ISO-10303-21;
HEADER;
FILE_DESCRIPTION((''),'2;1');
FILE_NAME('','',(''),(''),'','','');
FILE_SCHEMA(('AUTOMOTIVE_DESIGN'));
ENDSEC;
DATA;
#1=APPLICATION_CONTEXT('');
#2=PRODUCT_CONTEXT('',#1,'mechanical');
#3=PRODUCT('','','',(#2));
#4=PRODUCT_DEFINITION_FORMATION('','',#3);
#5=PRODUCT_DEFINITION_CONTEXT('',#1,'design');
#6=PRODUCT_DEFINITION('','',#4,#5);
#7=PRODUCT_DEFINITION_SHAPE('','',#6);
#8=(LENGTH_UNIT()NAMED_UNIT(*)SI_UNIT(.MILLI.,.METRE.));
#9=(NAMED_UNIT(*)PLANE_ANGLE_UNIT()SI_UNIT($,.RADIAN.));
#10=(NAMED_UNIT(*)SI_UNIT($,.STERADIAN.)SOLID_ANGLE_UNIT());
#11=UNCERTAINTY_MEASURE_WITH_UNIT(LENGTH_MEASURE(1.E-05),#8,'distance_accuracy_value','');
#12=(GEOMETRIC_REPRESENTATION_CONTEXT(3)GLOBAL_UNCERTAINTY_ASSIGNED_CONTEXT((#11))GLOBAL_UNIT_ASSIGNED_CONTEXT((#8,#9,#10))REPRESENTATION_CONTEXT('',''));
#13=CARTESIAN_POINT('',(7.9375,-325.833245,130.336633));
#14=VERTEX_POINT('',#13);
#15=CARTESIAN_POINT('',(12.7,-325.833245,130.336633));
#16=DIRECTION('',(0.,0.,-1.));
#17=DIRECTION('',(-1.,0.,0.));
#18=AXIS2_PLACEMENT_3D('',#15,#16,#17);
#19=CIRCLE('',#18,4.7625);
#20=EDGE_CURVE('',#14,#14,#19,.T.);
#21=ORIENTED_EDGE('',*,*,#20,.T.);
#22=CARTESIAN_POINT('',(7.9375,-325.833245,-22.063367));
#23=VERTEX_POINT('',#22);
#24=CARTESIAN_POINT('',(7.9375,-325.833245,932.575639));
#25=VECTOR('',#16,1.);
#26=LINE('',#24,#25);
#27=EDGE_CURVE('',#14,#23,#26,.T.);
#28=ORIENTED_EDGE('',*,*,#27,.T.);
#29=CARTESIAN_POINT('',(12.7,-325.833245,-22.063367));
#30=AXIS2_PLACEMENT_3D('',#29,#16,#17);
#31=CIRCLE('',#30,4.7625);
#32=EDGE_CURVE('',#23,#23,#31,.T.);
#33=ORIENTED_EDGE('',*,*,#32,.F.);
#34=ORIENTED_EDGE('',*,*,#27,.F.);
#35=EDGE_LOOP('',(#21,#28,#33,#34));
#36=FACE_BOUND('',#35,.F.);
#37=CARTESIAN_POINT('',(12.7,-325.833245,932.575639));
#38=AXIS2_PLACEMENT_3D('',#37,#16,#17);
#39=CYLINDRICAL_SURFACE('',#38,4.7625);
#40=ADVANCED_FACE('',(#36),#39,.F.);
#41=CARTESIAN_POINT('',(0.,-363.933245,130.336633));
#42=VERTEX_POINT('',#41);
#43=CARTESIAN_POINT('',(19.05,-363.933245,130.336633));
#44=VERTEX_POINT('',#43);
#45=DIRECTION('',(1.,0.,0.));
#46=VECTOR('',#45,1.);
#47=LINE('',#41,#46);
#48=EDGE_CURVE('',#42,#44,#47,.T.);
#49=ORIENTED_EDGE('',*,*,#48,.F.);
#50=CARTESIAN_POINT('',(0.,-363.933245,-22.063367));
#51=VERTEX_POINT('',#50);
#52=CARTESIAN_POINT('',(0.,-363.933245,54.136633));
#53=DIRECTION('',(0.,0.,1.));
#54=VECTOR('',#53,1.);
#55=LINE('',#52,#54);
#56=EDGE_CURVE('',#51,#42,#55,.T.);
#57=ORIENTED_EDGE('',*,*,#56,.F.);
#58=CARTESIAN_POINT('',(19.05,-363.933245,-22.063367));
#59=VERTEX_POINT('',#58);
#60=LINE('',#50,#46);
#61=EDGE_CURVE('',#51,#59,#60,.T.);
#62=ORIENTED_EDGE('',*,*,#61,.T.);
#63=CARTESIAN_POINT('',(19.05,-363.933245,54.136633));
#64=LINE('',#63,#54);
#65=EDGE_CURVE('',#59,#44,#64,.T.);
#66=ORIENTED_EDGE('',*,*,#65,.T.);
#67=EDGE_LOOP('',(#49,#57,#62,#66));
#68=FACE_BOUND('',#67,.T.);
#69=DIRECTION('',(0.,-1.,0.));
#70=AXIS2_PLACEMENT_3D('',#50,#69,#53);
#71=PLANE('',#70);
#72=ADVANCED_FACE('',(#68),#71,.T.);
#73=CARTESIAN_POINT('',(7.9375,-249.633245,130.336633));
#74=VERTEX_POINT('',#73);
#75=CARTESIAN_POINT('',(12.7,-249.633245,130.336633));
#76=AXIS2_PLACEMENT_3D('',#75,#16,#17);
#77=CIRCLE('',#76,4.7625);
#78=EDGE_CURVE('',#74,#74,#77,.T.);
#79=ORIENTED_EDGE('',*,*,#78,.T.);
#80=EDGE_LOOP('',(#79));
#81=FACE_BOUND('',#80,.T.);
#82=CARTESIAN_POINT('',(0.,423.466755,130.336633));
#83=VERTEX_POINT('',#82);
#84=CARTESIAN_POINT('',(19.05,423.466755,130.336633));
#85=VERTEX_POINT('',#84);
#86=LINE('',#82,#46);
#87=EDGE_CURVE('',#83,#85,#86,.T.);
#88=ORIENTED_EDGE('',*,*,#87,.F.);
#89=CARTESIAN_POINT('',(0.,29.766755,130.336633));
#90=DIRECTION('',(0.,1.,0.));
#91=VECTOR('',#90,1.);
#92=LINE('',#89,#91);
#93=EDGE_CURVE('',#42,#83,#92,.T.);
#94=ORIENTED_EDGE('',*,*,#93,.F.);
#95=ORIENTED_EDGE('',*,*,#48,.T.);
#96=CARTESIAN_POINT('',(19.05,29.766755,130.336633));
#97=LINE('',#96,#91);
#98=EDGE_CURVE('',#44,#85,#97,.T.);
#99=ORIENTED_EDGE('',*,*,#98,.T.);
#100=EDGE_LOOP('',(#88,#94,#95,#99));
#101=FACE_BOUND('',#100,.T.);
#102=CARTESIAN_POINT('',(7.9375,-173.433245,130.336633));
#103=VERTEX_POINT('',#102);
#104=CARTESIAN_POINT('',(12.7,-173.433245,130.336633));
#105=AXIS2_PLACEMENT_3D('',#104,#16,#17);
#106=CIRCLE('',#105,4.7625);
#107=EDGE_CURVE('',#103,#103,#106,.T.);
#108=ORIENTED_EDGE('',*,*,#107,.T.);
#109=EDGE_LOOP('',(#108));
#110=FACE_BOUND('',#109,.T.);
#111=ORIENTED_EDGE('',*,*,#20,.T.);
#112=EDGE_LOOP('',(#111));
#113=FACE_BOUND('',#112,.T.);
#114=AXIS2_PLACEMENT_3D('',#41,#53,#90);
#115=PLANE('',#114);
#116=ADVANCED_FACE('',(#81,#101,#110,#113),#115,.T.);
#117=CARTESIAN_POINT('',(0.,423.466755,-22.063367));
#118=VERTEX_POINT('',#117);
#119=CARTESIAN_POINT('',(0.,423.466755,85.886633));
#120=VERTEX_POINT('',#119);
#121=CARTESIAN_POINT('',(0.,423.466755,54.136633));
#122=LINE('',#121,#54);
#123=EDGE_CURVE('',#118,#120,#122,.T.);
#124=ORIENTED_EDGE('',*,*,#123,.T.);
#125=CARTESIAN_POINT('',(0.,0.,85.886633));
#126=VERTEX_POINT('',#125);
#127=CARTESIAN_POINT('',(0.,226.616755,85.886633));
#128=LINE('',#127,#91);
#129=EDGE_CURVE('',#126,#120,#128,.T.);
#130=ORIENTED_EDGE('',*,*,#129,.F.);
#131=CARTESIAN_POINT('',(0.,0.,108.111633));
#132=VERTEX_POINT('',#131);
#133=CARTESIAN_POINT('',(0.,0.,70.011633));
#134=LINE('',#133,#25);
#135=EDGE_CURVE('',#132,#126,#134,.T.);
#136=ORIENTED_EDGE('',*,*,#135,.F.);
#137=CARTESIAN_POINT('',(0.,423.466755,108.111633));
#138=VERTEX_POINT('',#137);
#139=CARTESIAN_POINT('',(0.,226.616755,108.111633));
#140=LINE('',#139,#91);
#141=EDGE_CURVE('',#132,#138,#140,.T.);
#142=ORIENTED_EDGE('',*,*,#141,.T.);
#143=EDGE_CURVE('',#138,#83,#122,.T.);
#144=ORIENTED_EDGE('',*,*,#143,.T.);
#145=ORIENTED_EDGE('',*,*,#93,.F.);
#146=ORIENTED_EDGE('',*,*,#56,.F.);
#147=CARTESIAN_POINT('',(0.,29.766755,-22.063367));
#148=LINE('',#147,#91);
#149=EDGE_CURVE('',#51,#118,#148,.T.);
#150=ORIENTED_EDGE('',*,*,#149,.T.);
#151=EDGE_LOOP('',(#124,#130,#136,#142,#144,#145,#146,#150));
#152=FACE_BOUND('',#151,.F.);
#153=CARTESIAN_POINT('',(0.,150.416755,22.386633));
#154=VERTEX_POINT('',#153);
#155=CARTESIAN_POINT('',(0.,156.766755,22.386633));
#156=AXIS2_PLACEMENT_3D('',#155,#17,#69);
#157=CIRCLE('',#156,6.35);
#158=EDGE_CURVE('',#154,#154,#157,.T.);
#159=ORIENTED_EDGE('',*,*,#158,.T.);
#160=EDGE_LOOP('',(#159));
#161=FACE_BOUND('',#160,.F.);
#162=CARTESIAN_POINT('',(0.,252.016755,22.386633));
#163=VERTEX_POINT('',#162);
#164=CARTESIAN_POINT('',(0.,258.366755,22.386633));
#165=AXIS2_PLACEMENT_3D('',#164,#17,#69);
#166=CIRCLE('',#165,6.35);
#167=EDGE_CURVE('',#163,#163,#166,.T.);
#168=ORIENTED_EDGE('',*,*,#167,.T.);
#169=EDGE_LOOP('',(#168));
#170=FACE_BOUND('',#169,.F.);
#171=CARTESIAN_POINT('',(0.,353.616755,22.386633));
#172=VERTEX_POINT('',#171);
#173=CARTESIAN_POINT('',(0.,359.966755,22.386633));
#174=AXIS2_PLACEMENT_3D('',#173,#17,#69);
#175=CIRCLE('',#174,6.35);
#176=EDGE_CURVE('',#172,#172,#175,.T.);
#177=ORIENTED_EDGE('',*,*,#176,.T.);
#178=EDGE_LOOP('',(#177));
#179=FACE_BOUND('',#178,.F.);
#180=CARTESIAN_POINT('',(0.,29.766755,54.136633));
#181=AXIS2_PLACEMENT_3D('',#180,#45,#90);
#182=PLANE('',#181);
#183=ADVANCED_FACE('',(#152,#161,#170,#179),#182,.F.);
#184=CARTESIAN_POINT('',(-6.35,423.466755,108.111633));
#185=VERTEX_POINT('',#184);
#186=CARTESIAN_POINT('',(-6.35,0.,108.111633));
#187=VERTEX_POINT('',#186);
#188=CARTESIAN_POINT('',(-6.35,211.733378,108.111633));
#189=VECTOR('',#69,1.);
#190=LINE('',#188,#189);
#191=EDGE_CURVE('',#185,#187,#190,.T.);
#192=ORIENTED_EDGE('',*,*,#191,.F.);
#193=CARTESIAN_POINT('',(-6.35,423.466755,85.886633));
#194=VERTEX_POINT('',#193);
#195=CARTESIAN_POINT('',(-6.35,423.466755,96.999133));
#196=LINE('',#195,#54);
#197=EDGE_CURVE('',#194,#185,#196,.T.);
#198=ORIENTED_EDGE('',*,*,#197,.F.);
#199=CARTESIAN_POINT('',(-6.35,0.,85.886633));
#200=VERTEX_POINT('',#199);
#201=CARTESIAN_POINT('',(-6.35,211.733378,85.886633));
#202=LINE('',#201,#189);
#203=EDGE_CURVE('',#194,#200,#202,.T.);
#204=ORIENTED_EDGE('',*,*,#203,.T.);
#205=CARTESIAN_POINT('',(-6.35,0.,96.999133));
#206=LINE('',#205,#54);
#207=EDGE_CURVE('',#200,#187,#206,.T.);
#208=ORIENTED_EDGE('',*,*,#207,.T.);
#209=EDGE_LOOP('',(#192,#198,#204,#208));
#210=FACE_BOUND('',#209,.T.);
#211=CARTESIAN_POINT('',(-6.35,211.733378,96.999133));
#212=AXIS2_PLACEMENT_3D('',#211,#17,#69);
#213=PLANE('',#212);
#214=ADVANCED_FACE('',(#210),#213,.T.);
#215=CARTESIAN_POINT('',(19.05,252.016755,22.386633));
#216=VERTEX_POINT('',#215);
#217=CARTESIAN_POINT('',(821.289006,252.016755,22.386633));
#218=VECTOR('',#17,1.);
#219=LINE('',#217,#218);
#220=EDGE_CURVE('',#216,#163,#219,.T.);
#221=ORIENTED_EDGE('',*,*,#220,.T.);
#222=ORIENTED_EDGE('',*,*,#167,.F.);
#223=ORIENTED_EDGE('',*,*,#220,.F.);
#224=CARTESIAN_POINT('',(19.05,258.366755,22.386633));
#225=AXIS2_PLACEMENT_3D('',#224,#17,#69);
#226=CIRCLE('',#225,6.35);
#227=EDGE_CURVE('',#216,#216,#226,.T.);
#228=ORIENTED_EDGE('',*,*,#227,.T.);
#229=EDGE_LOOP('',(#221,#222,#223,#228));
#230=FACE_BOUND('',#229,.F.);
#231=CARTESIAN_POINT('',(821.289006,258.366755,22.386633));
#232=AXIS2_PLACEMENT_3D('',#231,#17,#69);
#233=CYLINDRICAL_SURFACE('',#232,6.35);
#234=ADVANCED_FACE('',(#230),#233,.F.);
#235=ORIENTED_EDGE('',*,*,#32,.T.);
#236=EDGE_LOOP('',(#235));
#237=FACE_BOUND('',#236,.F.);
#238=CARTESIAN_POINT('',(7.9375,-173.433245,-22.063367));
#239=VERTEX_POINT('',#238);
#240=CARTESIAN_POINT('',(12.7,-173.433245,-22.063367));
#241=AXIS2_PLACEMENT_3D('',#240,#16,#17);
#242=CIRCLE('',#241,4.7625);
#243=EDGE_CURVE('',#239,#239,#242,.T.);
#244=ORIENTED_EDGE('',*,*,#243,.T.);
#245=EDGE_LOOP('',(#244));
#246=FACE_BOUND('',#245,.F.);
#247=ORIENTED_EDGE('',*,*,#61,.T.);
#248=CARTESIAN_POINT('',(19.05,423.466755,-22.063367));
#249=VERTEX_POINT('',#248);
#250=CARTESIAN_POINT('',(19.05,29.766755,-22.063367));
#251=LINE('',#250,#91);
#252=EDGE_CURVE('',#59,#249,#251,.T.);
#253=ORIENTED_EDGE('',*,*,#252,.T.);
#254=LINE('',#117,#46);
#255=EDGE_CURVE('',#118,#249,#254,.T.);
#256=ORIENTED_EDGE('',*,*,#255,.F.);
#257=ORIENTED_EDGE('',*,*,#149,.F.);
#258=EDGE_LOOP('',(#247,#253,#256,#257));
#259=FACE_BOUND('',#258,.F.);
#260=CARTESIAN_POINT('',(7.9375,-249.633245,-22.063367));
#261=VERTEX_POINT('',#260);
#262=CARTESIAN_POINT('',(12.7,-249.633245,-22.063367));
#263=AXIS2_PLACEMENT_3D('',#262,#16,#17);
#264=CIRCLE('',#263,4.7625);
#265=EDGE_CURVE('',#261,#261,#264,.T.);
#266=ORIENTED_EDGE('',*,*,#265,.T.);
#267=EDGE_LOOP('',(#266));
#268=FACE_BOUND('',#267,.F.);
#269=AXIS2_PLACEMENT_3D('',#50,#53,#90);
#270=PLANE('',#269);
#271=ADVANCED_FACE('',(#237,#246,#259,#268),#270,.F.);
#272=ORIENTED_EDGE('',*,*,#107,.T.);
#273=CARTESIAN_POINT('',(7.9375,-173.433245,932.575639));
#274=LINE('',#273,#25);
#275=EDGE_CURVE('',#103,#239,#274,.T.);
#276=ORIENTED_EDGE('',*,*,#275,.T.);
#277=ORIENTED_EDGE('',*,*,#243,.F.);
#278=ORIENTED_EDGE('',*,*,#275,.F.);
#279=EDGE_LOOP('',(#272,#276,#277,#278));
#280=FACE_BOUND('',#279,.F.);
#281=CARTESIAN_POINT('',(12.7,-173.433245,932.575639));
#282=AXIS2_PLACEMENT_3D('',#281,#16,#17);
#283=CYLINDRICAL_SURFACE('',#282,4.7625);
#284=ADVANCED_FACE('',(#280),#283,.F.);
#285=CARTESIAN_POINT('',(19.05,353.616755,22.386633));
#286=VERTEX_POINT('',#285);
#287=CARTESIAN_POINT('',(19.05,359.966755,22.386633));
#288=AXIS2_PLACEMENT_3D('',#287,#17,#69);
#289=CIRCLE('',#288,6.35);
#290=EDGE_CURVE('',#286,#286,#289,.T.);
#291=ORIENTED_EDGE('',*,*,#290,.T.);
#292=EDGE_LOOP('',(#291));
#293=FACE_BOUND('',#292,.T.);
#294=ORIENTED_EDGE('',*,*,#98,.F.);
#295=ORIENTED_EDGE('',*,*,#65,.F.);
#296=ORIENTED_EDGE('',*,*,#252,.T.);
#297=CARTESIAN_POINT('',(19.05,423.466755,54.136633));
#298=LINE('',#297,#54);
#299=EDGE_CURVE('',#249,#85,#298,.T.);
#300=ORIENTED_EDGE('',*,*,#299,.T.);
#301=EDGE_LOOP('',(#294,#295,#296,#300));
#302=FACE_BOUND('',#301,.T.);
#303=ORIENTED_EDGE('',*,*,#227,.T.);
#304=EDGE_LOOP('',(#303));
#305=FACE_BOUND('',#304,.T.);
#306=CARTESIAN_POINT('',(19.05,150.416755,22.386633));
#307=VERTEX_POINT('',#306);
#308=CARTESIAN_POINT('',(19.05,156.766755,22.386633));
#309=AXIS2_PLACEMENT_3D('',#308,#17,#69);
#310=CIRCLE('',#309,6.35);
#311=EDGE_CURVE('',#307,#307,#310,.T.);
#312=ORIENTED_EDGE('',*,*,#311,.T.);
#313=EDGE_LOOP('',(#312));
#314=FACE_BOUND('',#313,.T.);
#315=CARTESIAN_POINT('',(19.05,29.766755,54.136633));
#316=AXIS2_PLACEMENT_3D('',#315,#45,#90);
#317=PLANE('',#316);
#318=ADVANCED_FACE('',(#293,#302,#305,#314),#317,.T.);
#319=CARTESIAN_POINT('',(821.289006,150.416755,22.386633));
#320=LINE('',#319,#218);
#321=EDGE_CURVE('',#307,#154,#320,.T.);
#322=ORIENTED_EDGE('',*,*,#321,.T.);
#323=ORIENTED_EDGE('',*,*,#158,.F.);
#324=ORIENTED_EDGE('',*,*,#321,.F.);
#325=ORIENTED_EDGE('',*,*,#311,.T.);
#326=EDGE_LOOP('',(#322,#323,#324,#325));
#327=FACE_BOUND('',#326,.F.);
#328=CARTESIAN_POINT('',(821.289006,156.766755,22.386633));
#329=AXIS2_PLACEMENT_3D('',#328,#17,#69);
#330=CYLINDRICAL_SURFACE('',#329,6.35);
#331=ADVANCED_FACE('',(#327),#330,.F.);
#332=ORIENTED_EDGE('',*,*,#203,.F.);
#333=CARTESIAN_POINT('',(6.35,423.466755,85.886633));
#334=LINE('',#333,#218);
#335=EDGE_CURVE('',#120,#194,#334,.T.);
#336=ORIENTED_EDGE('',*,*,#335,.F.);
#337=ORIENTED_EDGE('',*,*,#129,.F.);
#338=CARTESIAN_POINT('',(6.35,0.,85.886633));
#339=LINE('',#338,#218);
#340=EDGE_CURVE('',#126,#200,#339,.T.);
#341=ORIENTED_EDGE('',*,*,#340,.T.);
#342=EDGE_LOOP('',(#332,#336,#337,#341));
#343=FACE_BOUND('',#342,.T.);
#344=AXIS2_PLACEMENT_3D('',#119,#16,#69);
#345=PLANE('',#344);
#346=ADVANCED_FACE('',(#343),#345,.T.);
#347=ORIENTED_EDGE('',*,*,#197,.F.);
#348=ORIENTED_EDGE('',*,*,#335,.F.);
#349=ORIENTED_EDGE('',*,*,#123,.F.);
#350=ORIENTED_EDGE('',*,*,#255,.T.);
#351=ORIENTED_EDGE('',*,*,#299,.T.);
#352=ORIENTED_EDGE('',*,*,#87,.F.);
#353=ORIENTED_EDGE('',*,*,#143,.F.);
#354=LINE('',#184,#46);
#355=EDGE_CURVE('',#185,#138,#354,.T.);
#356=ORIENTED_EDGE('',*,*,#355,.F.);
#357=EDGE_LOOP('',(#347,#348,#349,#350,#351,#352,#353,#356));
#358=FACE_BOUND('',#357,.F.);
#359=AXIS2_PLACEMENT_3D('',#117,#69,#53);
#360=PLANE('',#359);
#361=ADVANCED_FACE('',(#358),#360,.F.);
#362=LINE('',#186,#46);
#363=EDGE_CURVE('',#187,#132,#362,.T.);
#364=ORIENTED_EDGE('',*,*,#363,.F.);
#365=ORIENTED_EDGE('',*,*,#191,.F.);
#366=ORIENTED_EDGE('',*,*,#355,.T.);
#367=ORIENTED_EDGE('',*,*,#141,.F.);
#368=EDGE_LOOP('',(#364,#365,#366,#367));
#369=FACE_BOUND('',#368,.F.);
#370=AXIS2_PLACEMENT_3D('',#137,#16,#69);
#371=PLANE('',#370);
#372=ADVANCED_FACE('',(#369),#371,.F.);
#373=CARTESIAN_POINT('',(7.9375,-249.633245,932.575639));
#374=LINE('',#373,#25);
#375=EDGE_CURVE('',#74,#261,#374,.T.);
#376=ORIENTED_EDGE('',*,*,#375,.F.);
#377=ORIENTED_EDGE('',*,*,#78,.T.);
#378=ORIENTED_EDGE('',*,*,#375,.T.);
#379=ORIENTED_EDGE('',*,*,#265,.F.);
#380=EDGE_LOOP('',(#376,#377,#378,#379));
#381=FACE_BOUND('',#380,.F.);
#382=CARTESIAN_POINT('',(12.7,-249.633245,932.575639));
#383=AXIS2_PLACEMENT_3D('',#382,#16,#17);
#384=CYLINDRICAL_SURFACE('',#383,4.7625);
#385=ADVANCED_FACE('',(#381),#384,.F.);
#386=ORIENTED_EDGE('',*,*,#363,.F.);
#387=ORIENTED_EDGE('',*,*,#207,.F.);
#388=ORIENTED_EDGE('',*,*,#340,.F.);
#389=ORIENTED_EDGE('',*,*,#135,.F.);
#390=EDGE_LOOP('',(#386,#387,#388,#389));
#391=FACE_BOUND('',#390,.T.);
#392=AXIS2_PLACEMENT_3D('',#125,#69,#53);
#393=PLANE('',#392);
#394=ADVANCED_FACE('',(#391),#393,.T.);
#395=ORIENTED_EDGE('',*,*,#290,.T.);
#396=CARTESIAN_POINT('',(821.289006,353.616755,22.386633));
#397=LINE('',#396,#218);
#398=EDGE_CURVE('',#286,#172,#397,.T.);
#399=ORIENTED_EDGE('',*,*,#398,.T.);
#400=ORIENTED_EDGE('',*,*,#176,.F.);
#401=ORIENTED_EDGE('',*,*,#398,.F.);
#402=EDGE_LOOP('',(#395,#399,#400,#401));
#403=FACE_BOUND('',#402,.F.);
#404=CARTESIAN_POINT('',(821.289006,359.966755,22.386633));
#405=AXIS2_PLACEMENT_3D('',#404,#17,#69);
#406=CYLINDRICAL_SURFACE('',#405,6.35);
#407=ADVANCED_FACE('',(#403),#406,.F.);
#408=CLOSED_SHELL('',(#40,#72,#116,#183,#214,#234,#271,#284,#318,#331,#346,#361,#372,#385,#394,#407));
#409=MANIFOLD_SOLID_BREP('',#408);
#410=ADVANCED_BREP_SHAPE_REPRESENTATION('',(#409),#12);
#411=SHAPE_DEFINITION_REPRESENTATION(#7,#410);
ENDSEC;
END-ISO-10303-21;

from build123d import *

# Parameters (mm, degrees)
F0_W     = 787.4
F0_H     = 152.4
F1_DEPTH = 19.05
F4_D     = 12.7
F5_D     = 9.525
F6_W     = 423.4667551786
F6_H     = 22.225
F7_DEPTH = 6.35


with BuildPart() as f1:
    # F0 (on Right) → F1 (new body)
    with BuildSketch(Plane.YZ):
        with Locations((29.7667551786, 54.1366326568)):
            Rectangle(F0_W, F0_H)
    extrude(amount=F1_DEPTH)

    # F4 (through all)
    with Locations(Plane.YZ.offset(19.05)):
        with Locations((156.7667551786, 22.3866326568), (258.3667551786, 22.3866326568), (359.9667551786, 22.3866326568)):
            Hole(F4_D / 2)

    # F5 (through all)
    with Locations(Plane.XY.offset(130.3366326568)):
        with Locations((12.7, -173.4332448214), (12.7, -249.6332448214), (12.7, -325.8332448214)):
            Hole(F5_D / 2)

    # F6 (on face) → F7 (join, symmetric)
    with BuildSketch(Plane(origin=(0, 0, 0), x_dir=(0, -1, 0), z_dir=(-1, 0, 0))):
        with Locations((-211.7333775893, 96.9991326568)):
            Rectangle(F6_W, F6_H)
    extrude(amount=F7_DEPTH, both=True)


solid = f1.part
